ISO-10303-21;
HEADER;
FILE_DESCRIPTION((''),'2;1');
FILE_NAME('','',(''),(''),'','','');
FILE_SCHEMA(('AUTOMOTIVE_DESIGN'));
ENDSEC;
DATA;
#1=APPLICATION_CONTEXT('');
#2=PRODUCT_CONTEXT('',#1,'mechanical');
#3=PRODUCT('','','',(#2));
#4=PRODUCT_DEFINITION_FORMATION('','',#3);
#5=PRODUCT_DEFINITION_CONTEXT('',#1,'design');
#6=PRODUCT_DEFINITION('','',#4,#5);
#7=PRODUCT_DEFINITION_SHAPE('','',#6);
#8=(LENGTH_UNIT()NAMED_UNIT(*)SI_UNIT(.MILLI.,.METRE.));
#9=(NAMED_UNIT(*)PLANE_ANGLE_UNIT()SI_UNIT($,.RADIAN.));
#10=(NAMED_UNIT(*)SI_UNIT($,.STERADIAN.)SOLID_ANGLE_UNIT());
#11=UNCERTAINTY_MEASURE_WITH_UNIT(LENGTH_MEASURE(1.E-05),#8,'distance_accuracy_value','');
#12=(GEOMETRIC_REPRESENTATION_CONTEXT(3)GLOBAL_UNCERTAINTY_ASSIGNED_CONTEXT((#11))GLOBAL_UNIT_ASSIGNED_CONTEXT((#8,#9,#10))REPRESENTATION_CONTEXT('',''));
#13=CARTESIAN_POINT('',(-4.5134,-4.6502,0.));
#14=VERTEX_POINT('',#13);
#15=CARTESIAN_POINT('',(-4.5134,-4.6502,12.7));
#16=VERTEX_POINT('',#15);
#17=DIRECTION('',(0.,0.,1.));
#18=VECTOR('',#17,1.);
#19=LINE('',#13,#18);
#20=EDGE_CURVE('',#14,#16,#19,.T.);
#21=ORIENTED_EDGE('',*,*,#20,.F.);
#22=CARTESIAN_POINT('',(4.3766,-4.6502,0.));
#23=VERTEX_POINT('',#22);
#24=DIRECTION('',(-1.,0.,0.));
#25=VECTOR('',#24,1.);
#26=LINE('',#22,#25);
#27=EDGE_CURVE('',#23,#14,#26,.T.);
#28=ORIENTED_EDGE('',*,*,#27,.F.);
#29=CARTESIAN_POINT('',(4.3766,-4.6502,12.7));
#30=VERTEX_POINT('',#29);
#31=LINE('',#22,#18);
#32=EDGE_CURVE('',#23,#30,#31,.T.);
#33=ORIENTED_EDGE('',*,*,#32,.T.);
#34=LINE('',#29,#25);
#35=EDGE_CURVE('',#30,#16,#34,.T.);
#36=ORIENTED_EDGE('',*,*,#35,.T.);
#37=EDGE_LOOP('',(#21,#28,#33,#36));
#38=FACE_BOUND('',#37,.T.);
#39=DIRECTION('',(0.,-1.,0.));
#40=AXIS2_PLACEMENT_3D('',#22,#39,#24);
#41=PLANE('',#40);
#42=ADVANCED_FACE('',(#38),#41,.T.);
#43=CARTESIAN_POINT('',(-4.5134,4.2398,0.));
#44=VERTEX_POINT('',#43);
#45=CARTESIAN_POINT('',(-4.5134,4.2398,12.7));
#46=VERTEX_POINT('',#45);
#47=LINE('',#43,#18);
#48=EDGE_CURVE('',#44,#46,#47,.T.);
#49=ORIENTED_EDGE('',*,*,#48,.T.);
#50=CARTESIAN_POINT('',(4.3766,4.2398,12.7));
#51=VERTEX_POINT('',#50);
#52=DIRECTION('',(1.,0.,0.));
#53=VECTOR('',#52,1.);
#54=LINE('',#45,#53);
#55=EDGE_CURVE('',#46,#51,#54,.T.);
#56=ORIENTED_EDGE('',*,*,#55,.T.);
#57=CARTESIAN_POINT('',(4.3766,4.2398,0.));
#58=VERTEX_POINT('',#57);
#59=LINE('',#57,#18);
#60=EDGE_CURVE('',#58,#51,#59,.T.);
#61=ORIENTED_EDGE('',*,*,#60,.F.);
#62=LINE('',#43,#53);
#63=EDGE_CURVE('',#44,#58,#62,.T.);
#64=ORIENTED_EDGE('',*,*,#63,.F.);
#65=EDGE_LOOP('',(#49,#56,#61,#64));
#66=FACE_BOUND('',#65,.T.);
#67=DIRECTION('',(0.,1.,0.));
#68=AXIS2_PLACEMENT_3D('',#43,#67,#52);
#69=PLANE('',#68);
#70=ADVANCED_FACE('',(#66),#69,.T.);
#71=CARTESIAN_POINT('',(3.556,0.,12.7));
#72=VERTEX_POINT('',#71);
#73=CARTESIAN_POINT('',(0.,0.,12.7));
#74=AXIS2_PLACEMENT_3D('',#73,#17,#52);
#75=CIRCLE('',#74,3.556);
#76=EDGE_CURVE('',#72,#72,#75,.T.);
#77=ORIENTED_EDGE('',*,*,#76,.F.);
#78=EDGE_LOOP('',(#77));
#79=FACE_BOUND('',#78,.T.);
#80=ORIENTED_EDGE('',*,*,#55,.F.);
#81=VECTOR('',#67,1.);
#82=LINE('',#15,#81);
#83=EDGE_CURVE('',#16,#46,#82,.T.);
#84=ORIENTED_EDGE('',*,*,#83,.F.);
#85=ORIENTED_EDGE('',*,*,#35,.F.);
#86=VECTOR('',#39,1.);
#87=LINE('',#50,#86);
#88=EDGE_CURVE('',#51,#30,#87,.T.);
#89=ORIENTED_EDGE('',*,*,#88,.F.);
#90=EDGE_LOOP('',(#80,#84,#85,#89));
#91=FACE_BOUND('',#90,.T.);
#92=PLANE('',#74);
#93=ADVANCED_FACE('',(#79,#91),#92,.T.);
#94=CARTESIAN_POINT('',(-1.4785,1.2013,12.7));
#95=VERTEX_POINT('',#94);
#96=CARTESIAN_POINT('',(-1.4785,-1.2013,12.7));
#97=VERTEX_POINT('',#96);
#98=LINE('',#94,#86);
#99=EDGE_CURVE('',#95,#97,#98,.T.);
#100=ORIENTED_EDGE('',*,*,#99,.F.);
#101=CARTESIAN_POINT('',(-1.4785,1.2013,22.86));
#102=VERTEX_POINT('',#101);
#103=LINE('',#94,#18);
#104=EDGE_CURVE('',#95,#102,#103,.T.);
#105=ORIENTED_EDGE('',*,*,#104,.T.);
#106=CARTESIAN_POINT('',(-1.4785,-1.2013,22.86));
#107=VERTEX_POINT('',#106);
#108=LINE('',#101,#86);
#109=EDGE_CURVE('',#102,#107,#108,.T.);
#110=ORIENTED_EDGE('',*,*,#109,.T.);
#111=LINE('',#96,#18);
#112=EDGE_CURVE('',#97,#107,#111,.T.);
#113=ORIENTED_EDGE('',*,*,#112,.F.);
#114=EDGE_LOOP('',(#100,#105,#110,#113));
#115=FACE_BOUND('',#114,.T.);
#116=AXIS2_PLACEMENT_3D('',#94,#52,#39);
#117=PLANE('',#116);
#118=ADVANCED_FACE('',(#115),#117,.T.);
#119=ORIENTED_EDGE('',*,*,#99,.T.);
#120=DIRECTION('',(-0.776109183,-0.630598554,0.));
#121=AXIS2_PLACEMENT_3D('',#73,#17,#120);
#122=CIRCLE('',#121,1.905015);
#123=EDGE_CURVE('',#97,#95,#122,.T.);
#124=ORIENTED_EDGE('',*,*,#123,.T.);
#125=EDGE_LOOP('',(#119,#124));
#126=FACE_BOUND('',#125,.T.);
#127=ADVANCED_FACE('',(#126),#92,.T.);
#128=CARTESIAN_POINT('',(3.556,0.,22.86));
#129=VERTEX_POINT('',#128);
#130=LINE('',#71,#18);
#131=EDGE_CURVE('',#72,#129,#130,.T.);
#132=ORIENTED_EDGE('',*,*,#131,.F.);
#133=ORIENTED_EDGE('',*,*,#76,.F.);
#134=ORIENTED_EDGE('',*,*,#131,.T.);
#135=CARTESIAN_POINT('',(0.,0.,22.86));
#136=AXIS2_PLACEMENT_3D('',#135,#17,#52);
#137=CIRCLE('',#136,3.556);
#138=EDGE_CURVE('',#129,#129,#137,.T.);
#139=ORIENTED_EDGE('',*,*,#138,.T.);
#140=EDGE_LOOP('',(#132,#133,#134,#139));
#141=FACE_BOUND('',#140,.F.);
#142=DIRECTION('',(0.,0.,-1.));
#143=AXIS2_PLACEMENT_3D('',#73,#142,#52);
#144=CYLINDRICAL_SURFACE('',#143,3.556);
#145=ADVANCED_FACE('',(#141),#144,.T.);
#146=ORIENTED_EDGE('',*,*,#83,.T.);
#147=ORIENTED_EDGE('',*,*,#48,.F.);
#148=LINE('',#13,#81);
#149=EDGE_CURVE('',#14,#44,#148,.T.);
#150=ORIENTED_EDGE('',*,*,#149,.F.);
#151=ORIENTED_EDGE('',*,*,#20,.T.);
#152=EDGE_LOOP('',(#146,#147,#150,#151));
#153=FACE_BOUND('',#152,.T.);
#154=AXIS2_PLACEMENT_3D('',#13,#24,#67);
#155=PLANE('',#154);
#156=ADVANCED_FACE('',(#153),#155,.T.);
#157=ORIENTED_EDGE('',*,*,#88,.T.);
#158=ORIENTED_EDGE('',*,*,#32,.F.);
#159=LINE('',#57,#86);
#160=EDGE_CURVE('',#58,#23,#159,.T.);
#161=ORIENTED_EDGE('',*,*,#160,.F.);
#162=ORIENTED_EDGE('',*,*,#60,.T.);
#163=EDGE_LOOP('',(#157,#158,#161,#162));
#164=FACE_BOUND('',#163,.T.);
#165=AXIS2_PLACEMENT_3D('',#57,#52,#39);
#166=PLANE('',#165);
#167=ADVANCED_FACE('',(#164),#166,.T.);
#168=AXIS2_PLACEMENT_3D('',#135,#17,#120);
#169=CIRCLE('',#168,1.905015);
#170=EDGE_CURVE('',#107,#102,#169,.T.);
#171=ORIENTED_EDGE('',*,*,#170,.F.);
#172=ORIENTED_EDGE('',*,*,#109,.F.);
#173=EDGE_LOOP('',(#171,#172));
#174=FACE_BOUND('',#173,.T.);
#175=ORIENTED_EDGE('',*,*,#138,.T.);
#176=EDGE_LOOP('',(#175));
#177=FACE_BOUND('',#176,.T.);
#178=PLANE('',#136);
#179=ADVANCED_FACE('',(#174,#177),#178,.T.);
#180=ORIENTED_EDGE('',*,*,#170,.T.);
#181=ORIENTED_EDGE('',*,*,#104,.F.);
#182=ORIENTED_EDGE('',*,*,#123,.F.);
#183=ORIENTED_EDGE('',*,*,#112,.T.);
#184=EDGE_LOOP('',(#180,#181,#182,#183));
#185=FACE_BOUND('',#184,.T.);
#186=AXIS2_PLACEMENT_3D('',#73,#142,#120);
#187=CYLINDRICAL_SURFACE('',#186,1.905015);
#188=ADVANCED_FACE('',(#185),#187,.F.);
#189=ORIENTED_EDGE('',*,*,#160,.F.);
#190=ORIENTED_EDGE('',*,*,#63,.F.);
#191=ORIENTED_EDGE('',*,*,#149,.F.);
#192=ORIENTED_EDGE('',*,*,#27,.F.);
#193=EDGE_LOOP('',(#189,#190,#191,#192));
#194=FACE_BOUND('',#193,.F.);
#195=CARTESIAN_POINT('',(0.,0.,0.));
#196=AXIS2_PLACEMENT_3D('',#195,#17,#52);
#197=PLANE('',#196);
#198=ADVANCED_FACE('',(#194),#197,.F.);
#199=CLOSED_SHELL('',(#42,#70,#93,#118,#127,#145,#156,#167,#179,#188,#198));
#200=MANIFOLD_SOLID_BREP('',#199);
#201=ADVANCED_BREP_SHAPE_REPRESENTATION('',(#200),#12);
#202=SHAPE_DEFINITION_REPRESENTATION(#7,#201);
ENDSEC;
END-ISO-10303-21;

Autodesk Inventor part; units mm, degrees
ref_plane "YZ Plane" through (0, 0, 0) normal (1, 0, 0) x (0, 1, 0)
ref_plane "XZ Plane" through (0, 0, 0) normal (0, 1, 0) x (-1, 0, 0)
ref_plane "XY Plane" through (0, 0, 0) normal (0, 0, 1) x (1, 0, 0)
sketch "Sketch1" plane through (0, 0, 0) normal (0, 0, 1) x (1, 0, 0)
  line L0 (-4.5134, 4.2398) -> (4.3766, 4.2398)
  line L1 (4.3766, 4.2398) -> (4.3766, -4.6502)
  line L2 (4.3766, -4.6502) -> (-4.5134, -4.6502)
  line L3 (-4.5134, -4.6502) -> (-4.5134, 4.2398)
  point P0 (0, 0)
  dimension "d0" = 8.89
  dimension "d1" = 8.89
extrude "Extrusion1" add sketch "Sketch1" along normal blind 12.7
sketch "Sketch3" plane through (0, 0, 12.7) normal (0, 0, 1) x (1, 0, 0)
  circle A0 centre (0, 0) radius 3.556
  arc A1 (-1.4785, -1.2013) -> (-1.4785, 1.2013) centre (0, 0) ccw
  line L0 (-1.4785, 1.2013) -> (-1.4785, -1.2013)
  dimension "d12" = 3.81
  dimension "d13" = 7.112
extrude "Extrusion3" add sketch "Sketch3" along normal blind 10.16
properties part number "Motor Connection"
